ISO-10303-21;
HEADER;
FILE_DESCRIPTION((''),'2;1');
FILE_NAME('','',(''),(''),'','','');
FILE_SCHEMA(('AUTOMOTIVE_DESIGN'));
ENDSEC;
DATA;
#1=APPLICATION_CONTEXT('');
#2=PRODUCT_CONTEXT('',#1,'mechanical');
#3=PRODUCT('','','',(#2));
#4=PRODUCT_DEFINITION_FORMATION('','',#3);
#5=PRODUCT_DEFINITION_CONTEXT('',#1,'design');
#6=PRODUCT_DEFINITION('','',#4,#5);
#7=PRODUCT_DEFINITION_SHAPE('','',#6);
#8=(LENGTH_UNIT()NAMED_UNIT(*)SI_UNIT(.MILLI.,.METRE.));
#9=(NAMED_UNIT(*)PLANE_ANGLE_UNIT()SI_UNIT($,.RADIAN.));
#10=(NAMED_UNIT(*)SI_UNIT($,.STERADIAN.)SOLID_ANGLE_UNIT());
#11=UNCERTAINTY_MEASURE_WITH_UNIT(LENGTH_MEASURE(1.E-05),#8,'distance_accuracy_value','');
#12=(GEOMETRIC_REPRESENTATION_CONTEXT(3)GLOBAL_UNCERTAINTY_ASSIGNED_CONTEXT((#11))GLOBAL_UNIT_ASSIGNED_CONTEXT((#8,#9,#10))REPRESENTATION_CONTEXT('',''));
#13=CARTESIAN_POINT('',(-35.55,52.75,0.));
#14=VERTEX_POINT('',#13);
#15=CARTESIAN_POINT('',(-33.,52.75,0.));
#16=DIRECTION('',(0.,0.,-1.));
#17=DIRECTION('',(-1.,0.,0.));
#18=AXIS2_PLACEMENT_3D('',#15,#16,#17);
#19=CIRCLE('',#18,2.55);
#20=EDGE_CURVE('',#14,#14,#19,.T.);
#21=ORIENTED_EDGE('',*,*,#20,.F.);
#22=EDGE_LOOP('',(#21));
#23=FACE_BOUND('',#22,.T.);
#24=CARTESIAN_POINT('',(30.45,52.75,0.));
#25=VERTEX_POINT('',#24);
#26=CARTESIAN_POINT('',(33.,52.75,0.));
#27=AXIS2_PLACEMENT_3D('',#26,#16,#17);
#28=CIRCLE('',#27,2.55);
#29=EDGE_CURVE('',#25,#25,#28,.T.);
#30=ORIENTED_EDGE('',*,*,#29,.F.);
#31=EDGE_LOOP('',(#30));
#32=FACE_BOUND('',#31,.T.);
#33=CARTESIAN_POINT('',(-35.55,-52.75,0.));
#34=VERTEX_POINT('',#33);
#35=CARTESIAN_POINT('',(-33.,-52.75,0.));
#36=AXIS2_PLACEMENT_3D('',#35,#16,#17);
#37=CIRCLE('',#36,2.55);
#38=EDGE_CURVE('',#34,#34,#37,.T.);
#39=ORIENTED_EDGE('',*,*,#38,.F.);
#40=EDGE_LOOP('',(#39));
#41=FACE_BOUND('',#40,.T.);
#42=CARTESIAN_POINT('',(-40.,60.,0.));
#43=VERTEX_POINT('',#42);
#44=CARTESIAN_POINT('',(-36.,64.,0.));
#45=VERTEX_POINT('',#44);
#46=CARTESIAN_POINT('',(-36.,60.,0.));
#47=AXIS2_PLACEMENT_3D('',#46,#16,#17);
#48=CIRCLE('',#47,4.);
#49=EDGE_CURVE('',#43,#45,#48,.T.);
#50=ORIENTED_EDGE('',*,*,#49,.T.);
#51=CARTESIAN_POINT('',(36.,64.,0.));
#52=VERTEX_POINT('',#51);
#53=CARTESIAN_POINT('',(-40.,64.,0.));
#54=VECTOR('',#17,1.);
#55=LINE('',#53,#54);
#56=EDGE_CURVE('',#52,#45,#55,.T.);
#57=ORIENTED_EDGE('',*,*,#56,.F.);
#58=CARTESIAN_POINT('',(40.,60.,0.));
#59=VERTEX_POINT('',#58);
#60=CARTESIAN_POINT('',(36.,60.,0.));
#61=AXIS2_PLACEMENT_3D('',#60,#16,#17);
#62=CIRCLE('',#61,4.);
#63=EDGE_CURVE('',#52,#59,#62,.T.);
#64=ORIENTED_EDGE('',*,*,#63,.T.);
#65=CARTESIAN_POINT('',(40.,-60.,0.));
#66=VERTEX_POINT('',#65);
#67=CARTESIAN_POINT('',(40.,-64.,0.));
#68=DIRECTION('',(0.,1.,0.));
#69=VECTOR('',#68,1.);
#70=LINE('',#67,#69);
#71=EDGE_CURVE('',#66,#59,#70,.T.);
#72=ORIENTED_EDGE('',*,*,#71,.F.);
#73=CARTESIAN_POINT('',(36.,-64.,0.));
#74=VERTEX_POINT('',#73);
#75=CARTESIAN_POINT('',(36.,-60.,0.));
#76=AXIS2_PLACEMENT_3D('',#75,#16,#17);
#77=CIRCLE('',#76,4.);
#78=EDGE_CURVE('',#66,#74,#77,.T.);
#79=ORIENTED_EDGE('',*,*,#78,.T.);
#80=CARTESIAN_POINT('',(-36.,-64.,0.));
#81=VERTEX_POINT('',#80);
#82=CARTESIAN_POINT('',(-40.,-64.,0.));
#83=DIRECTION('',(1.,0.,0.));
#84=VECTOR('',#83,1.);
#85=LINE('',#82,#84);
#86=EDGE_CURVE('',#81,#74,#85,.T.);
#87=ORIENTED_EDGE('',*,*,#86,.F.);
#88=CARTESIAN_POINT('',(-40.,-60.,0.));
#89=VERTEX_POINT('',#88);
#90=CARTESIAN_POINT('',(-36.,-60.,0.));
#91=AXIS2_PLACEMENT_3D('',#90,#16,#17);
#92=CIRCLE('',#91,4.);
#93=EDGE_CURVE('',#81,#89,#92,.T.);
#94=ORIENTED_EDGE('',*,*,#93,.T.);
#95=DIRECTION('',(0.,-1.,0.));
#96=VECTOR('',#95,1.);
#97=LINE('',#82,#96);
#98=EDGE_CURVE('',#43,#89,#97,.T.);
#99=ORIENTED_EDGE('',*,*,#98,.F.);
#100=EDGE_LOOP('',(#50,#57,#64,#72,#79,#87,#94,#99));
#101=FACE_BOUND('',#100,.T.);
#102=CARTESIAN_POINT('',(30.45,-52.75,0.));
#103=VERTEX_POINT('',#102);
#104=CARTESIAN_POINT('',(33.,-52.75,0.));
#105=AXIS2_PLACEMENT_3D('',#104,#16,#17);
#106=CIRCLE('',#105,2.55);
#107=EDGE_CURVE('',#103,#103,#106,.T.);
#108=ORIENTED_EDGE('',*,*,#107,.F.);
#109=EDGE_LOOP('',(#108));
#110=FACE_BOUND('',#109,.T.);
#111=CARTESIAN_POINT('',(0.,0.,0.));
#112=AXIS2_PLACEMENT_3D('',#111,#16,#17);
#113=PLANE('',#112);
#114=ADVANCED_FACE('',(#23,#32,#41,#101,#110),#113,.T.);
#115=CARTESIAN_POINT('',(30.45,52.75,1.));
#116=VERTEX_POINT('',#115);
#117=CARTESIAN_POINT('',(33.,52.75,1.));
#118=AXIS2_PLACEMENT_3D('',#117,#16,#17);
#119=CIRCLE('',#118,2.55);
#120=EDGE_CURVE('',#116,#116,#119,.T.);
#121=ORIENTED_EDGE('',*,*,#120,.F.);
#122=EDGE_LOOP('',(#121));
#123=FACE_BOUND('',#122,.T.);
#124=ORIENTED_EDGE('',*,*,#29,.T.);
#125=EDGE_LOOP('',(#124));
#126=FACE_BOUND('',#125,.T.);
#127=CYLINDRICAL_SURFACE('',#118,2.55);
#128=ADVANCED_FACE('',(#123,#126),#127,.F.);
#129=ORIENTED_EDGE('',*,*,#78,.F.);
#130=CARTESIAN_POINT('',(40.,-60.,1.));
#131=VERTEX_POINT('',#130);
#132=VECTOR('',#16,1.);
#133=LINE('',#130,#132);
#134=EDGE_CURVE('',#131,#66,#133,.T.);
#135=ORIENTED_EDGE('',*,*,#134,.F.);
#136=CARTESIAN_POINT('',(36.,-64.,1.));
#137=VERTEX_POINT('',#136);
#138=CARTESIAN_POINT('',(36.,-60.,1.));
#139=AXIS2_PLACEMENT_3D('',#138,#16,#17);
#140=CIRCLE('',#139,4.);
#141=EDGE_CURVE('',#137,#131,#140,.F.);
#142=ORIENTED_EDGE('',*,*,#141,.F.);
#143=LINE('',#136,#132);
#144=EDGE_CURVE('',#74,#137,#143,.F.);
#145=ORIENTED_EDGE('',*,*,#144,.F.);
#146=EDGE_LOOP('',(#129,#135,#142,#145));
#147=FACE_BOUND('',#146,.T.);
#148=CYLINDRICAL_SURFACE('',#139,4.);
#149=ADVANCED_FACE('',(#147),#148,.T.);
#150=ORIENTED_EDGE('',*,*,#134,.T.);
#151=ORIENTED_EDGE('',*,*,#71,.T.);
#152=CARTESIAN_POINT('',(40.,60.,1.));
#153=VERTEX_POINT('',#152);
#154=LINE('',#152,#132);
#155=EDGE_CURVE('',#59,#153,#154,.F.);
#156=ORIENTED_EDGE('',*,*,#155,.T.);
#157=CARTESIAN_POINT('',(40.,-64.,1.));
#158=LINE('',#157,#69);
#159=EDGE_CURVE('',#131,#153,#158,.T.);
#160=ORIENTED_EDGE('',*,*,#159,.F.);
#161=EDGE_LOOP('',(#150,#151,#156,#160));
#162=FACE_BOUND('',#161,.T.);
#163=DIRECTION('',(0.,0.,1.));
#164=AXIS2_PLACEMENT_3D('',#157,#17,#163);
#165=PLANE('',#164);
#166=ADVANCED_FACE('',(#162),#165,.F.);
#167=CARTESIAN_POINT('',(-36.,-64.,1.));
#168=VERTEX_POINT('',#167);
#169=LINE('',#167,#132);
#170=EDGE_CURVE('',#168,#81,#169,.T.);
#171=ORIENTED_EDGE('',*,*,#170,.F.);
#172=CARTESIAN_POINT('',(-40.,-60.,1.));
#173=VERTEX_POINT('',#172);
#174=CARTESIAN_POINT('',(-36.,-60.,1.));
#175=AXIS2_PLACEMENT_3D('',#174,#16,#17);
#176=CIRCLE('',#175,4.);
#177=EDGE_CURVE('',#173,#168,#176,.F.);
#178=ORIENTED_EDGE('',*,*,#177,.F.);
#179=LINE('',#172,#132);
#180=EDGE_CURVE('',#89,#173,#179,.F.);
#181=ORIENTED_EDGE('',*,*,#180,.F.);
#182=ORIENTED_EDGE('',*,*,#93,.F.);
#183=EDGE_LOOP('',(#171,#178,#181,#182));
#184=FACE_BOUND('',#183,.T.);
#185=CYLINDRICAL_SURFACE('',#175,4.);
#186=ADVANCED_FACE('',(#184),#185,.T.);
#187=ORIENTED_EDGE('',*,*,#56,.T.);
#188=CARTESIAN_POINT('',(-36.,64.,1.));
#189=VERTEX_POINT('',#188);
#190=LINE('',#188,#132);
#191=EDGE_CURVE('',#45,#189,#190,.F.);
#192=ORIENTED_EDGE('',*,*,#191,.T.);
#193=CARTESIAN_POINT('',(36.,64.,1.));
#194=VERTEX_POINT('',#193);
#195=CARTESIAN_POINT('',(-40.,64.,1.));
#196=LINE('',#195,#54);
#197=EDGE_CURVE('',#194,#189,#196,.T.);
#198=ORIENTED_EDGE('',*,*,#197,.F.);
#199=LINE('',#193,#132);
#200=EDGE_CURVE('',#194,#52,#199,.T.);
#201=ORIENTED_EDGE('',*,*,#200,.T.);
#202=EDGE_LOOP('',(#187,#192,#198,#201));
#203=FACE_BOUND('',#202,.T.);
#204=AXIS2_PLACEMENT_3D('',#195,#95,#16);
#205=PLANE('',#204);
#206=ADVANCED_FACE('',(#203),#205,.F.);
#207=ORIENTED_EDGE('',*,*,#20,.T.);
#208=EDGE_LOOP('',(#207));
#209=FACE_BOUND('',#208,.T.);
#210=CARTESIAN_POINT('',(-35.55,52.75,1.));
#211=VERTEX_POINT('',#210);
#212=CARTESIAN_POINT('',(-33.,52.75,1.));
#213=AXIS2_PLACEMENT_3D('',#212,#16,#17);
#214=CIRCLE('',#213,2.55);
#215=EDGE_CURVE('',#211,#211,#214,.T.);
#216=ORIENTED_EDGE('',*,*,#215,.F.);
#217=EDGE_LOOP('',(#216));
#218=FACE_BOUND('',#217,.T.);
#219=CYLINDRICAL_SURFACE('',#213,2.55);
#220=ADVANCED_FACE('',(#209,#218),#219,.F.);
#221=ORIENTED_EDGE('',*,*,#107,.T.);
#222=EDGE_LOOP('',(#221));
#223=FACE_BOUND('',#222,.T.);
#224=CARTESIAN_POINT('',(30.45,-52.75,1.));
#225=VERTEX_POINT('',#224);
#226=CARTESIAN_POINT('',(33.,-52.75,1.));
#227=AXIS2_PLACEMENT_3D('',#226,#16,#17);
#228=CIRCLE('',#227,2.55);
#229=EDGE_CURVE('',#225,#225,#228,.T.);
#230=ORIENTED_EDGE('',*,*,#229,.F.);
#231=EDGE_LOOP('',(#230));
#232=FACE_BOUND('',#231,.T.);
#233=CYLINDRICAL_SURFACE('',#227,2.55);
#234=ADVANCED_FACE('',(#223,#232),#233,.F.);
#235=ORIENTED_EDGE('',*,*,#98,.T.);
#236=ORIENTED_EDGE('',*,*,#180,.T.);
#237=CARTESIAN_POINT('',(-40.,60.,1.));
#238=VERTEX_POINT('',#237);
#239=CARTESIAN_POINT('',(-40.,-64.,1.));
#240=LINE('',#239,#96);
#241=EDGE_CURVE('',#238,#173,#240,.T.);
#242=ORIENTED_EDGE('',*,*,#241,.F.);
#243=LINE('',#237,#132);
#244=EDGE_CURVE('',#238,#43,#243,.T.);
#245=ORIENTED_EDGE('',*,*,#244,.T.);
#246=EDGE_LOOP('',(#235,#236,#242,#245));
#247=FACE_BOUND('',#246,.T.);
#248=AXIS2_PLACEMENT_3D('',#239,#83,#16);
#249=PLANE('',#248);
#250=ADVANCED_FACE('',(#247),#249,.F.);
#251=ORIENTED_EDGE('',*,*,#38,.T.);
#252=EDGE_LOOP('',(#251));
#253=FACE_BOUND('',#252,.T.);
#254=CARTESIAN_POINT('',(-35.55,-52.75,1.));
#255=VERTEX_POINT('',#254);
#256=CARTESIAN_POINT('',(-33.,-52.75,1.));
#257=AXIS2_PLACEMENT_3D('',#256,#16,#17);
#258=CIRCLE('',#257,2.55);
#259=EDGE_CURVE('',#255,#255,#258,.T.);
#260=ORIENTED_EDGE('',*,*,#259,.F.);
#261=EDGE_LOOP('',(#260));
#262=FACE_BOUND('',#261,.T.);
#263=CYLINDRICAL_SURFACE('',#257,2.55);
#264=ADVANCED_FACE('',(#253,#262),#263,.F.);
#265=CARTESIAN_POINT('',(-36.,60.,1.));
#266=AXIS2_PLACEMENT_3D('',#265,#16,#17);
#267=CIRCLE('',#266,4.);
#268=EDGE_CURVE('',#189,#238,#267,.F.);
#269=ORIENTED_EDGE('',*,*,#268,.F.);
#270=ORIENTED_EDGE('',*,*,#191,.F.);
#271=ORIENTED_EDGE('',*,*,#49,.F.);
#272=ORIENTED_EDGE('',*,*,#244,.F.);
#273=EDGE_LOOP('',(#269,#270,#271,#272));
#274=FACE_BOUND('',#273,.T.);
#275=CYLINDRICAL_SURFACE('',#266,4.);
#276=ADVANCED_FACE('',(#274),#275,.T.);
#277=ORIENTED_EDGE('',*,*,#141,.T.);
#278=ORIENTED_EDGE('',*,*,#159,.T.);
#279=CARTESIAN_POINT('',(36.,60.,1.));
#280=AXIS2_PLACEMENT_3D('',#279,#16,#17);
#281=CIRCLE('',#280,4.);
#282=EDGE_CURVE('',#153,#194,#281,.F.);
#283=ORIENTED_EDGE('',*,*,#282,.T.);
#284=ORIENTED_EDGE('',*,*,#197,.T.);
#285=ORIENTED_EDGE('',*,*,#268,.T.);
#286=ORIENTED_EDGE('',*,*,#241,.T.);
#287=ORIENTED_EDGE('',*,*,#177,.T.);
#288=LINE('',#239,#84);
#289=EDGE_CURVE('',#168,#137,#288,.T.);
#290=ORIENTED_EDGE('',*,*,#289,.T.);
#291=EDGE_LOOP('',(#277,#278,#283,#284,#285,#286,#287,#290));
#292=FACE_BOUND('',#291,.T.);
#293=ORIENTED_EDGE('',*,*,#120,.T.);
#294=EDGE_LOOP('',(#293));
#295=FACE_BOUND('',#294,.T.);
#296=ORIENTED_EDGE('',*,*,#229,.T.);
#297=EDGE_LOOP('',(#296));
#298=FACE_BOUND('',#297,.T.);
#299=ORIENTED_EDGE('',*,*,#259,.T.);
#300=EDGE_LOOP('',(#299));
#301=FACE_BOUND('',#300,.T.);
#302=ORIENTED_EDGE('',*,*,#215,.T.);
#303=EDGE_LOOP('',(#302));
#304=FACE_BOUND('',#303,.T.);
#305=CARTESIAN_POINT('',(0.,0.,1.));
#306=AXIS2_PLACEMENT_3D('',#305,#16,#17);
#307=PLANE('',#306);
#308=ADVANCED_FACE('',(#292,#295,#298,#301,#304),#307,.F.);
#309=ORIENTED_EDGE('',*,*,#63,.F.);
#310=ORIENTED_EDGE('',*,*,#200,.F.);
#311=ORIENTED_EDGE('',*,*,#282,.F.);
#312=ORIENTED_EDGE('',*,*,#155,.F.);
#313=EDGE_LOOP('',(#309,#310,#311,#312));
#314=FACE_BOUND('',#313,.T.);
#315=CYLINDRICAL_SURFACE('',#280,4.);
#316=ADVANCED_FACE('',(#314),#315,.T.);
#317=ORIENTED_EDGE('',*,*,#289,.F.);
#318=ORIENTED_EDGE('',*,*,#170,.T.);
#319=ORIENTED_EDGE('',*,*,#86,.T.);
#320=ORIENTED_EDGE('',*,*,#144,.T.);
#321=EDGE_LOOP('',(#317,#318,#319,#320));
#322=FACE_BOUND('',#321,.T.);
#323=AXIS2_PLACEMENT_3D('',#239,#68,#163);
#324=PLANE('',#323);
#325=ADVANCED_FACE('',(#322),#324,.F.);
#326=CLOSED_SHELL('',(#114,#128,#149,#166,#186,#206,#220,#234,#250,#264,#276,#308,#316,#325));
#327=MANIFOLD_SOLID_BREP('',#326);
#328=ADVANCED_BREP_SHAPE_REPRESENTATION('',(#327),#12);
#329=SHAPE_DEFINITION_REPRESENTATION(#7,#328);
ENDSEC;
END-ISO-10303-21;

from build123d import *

# Parameters (mm, degrees)
SKETCH1_W           = 80
SKETCH1_H           = 128
BOSS_EXTRUDE1_DEPTH = 1
FILLET1_R           = 4
SKETCH2_R           = 2.55
CUT_EXTRUDE1_DEPTH  = 76.478473752


with BuildPart() as part:
    # Sketch1 → Boss-Extrude1 (new body)
    with BuildSketch(Plane.XY):
        Rectangle(SKETCH1_W, SKETCH1_H)
    extrude(amount=BOSS_EXTRUDE1_DEPTH)

    # Fillet1
    fillet1_edges = [part.edges().sort_by_distance(p)[0] for p in [
        (40, -64, 0.5),
        (-40, -64, 0.5),
        (-40, 64, 0.5),
        (40, 64, 0.5),
    ]]
    fillet(fillet1_edges, radius=FILLET1_R)

    # Sketch2 → Cut-Extrude1 (cut, through all)
    with BuildSketch(Plane(origin=(0, 0, 0), x_dir=(-1, 0, 0), z_dir=(0, 0, -1))):
        with Locations((-33, -52.75)):
            Circle(SKETCH2_R)
        with Locations((-33, 52.75)):
            Circle(SKETCH2_R)
        with Locations((33, 52.75)):
            Circle(SKETCH2_R)
        with Locations((33, -52.75)):
            Circle(SKETCH2_R)
    extrude(amount=-CUT_EXTRUDE1_DEPTH, mode=Mode.SUBTRACT)


solid = part.part
